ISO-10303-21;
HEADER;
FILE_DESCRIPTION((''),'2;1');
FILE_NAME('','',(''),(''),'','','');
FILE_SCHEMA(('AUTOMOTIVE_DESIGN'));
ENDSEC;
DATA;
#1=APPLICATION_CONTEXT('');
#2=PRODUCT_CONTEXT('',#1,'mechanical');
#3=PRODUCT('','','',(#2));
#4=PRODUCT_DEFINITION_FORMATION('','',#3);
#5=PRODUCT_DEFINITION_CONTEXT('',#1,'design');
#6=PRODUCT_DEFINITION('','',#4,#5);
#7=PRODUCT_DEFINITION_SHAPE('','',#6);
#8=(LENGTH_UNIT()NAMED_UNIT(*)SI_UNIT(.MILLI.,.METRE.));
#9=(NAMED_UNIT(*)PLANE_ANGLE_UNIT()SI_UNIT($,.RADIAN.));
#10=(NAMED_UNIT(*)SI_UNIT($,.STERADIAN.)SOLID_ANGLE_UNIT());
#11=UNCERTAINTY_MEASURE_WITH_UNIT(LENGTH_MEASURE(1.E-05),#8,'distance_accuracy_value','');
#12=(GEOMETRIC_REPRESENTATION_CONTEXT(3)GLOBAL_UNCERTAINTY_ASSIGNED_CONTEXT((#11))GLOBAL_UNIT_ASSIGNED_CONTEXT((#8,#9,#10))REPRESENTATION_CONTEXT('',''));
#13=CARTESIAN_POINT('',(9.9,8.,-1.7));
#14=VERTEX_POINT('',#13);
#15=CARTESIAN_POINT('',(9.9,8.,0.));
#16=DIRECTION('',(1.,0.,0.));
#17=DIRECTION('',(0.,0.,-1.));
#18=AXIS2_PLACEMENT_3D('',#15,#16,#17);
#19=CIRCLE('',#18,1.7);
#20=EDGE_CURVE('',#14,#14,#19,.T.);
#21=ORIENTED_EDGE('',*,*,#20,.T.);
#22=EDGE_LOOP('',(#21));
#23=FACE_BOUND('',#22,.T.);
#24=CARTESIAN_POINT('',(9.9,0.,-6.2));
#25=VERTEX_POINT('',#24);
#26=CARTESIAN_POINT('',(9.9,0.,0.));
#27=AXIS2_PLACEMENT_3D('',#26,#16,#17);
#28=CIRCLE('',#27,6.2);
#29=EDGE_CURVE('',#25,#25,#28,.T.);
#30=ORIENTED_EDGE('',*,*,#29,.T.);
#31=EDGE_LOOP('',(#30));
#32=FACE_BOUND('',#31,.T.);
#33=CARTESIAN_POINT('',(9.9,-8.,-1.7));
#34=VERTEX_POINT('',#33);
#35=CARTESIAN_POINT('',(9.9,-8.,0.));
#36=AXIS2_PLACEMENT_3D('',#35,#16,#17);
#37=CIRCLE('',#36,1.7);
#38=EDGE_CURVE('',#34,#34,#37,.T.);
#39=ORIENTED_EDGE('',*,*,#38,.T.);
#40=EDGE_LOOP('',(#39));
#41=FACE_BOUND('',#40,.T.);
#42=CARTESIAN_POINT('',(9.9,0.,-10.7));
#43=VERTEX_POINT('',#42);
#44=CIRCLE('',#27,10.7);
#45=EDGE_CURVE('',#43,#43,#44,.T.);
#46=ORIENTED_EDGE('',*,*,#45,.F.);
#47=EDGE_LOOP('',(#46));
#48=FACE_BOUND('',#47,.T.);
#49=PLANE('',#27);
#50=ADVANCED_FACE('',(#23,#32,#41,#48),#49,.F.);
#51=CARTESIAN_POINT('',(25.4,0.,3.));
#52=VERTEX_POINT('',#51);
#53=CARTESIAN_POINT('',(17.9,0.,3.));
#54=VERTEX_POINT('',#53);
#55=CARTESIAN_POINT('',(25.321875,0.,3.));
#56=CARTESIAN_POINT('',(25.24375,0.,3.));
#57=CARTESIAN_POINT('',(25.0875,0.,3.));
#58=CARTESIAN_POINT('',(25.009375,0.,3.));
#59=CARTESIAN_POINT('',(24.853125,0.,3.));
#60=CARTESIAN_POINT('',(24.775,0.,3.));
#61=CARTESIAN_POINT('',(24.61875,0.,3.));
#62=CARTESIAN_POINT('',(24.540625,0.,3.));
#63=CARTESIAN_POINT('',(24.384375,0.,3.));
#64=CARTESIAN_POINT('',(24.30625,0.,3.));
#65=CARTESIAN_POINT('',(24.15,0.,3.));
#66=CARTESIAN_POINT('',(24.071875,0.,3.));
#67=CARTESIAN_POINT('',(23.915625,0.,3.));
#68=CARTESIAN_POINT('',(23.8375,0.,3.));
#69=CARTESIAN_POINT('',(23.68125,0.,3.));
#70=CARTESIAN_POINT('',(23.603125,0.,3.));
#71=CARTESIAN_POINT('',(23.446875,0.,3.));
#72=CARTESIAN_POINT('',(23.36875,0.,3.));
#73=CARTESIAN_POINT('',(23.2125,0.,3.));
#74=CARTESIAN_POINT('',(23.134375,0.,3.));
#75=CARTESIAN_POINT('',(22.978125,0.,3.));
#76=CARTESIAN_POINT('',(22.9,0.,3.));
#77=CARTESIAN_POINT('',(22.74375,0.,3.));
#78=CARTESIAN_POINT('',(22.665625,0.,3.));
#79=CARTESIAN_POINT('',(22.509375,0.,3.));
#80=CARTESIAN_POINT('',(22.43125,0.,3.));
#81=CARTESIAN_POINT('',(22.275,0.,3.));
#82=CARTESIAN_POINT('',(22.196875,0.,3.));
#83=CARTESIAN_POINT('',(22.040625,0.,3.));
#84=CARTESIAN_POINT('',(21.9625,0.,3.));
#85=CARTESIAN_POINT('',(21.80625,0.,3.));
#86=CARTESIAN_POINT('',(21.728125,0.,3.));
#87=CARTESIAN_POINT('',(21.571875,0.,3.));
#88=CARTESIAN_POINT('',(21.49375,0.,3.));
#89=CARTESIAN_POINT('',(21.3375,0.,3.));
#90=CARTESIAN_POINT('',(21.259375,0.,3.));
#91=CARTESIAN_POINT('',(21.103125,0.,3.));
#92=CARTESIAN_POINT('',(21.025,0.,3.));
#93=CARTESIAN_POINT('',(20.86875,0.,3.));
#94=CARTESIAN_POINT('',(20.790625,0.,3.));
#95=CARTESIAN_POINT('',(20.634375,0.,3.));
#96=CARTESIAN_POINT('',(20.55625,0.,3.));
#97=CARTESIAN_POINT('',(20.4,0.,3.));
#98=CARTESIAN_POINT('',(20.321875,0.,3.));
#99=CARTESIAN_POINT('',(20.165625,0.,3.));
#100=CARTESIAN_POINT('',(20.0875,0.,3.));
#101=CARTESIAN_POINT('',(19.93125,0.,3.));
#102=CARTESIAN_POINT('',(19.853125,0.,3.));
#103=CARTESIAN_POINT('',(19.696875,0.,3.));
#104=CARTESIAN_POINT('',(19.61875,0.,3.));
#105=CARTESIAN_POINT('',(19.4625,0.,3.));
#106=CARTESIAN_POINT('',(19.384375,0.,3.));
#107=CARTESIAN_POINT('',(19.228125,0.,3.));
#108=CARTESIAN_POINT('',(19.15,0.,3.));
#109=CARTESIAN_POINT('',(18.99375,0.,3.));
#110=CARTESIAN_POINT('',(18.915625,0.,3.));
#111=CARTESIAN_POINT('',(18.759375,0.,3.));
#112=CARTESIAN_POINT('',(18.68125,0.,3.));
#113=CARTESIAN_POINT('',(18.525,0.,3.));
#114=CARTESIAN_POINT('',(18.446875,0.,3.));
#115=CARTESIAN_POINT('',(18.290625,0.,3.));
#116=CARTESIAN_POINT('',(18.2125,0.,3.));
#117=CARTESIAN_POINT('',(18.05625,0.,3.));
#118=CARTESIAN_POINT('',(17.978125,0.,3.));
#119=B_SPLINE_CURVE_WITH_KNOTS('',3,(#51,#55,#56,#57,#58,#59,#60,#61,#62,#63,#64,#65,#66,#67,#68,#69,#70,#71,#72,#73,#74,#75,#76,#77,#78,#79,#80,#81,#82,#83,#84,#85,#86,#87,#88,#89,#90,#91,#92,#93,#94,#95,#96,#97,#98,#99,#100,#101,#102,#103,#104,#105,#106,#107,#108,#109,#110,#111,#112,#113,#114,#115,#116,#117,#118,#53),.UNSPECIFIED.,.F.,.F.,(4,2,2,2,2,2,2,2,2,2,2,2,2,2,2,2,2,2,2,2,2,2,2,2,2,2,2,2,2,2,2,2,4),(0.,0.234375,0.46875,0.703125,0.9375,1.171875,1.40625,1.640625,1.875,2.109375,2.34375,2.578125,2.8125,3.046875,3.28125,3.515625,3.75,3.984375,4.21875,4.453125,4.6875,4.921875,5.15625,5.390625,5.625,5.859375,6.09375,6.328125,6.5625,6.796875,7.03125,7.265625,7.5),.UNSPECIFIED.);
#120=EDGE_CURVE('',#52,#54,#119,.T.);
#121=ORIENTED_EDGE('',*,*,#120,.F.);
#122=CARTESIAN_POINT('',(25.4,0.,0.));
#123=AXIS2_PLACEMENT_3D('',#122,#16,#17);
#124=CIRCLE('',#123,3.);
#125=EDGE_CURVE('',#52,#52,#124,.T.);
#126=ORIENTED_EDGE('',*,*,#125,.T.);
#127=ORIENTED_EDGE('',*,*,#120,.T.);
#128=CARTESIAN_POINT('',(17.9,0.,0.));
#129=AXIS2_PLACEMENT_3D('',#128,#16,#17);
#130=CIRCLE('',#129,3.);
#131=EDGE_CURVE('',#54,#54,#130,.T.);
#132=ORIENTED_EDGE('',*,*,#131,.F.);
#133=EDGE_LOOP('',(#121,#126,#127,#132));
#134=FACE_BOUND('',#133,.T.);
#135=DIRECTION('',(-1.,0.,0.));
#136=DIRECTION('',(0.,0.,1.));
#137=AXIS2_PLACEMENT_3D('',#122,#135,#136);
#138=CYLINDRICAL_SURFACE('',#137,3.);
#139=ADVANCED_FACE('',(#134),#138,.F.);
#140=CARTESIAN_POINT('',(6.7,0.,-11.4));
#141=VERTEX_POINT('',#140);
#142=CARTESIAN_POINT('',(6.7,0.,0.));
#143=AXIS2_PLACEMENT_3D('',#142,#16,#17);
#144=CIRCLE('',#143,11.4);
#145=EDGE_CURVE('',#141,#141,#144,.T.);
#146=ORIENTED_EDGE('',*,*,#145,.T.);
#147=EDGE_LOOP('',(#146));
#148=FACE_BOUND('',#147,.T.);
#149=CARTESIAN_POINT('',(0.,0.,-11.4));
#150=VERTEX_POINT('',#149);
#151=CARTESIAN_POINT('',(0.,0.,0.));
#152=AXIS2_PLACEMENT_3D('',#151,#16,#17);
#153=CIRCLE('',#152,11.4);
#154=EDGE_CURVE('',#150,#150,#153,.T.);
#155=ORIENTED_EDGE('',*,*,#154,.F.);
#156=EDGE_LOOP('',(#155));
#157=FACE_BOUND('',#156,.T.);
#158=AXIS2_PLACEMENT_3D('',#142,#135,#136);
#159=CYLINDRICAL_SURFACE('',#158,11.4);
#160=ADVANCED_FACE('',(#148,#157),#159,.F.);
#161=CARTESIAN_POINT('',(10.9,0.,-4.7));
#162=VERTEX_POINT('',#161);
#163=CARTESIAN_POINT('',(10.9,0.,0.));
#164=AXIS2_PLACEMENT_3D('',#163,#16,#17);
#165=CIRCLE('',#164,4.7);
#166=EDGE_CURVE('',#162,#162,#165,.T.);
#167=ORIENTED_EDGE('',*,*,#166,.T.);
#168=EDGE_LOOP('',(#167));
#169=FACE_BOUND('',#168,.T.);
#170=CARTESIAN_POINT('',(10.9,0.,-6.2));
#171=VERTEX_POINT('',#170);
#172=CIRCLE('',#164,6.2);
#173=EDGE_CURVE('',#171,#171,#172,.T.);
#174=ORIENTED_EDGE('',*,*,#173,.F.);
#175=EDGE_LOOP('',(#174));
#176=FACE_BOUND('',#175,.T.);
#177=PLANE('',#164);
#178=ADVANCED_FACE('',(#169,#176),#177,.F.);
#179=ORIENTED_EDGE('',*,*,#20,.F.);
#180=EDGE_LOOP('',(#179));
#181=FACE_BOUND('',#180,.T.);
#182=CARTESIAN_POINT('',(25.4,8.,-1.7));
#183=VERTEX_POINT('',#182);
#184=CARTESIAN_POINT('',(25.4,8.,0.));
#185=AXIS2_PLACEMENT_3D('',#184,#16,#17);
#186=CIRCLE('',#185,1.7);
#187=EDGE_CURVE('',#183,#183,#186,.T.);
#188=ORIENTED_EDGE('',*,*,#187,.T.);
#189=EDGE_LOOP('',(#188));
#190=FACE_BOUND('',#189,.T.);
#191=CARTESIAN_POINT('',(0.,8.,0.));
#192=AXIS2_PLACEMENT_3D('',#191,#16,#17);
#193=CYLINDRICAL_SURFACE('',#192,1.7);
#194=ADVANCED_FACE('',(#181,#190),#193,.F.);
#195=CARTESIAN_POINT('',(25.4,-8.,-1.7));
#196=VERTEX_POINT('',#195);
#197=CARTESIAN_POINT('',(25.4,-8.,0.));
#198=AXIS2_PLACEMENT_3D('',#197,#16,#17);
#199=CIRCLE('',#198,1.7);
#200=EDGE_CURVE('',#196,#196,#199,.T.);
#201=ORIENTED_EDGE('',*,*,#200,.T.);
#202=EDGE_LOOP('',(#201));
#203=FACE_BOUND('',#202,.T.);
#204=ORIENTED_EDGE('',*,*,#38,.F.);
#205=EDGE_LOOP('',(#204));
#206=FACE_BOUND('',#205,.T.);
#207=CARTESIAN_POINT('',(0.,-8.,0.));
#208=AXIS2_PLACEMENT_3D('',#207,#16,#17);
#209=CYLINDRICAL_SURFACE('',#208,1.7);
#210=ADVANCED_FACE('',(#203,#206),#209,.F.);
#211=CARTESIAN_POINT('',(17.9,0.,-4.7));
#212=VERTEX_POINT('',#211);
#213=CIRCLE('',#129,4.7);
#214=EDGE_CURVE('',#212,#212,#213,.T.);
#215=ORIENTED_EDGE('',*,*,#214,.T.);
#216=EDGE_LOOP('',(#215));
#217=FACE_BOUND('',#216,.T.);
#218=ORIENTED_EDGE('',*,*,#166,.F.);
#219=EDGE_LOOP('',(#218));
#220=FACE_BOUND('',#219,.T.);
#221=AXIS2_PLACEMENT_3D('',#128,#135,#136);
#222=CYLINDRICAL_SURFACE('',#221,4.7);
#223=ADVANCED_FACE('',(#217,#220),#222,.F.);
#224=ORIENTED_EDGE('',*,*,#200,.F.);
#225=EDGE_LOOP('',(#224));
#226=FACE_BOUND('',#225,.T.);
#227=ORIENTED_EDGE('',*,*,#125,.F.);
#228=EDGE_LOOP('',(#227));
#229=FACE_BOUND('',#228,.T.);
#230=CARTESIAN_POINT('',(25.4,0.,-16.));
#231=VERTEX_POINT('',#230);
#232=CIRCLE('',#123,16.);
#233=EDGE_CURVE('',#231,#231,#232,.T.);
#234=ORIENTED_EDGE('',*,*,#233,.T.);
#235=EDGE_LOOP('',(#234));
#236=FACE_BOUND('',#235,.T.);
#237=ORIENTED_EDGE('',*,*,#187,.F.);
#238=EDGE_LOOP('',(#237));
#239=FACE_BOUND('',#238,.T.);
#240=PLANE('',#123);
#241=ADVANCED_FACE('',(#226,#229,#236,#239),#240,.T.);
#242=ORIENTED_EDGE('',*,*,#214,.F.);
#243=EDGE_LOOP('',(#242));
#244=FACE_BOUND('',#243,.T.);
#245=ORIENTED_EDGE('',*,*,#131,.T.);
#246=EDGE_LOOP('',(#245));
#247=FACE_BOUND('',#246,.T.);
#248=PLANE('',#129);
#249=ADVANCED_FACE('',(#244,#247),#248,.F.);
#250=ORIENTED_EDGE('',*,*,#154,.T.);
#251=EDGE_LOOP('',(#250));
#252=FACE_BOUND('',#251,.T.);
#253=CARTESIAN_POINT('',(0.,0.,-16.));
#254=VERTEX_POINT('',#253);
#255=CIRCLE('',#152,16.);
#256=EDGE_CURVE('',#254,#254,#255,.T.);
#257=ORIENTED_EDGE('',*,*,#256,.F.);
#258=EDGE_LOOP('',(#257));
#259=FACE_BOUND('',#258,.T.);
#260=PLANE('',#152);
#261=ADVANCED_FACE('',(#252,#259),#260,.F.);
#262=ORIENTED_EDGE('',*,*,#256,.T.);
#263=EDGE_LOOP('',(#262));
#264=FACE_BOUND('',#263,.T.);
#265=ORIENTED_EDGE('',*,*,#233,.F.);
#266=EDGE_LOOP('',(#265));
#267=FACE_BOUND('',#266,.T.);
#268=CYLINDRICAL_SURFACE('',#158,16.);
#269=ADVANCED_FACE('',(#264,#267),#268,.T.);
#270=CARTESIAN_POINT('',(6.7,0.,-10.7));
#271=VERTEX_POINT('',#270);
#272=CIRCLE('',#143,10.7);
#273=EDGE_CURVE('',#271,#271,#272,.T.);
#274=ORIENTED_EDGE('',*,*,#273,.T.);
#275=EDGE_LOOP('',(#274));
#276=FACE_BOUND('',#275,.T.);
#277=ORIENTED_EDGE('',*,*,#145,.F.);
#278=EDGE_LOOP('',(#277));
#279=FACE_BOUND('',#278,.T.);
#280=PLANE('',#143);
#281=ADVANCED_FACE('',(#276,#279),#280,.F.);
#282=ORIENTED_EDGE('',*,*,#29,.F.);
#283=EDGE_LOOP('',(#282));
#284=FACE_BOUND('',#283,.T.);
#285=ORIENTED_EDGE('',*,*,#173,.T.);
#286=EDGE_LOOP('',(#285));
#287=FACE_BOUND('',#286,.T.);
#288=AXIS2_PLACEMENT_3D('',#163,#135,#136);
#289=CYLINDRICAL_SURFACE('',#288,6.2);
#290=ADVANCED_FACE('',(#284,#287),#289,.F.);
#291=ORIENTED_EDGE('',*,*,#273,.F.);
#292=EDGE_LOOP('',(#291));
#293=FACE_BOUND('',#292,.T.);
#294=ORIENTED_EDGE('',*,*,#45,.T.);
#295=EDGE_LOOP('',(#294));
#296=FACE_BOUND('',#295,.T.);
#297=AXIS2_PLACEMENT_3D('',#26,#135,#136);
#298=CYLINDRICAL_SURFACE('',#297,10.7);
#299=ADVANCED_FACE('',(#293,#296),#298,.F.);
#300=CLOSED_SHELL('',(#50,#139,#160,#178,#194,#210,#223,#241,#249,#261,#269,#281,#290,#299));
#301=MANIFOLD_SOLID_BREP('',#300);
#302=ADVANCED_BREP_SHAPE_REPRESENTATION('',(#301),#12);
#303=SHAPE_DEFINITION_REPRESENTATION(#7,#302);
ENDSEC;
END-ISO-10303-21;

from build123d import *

# Parameters (mm, degrees)
SKETCH1_R           = 16
SKETCH1_R_2         = 11.4
BOSS_EXTRUDE1_DEPTH = 6.7
SKETCH2_R           = 16
SKETCH2_R_2         = 10.7
BOSS_EXTRUDE2_DEPTH = 3.2
SKETCH3_R           = 16
SKETCH3_R_2         = 6.2
BOSS_EXTRUDE3_DEPTH = 1
SKETCH4_R           = 16
SKETCH4_R_2         = 4.7
BOSS_EXTRUDE4_DEPTH = 7
SKETCH5_R           = 16
SKETCH5_R_2         = 3
BOSS_EXTRUDE5_DEPTH = 7.5
SKETCH6_R           = 1.7
CUT_EXTRUDE1_DEPTH  = 25.4


with BuildPart() as part:
    # Sketch1 → Boss-Extrude1 (new body)
    with BuildSketch(Plane(origin=(0, 0, 0), x_dir=(0, 0, -1), z_dir=(1, 0, 0))):
        Circle(SKETCH1_R)
        Circle(SKETCH1_R_2, mode=Mode.SUBTRACT)
    extrude(amount=BOSS_EXTRUDE1_DEPTH)

    # Sketch2 → Boss-Extrude2 (add)
    with BuildSketch(Plane(origin=(6.7, 0, 0), x_dir=(0, 0, -1), z_dir=(1, 0, 0))):
        Circle(SKETCH2_R)
        Circle(SKETCH2_R_2, mode=Mode.SUBTRACT)
    extrude(amount=BOSS_EXTRUDE2_DEPTH)

    # Sketch3 → Boss-Extrude3 (add)
    with BuildSketch(Plane(origin=(9.9, 0, 0), x_dir=(0, 0, -1), z_dir=(1, 0, 0))):
        Circle(SKETCH3_R)
        Circle(SKETCH3_R_2, mode=Mode.SUBTRACT)
    extrude(amount=BOSS_EXTRUDE3_DEPTH)

    # Sketch4 → Boss-Extrude4 (add)
    with BuildSketch(Plane(origin=(10.9, 0, 0), x_dir=(0, 0, -1), z_dir=(1, 0, 0))):
        Circle(SKETCH4_R)
        Circle(SKETCH4_R_2, mode=Mode.SUBTRACT)
    extrude(amount=BOSS_EXTRUDE4_DEPTH)

    # Sketch5 → Boss-Extrude5 (add)
    with BuildSketch(Plane(origin=(17.9, 0, 0), x_dir=(0, 0, -1), z_dir=(1, 0, 0))):
        Circle(SKETCH5_R)
        with Locations(Location((0, 0, 0), (0, 0, 180))):
            Circle(SKETCH5_R_2, mode=Mode.SUBTRACT)
    extrude(amount=BOSS_EXTRUDE5_DEPTH)

    # Sketch6 → Cut-Extrude1 (cut)
    with BuildSketch(Plane(origin=(25.4, 0, 0), x_dir=(0, 0, -1), z_dir=(1, 0, 0))):
        with Locations((0, 8)):
            Circle(SKETCH6_R)
        with Locations((0, -8)):
            Circle(SKETCH6_R)
    extrude(amount=-CUT_EXTRUDE1_DEPTH, mode=Mode.SUBTRACT)


solid = part.part
